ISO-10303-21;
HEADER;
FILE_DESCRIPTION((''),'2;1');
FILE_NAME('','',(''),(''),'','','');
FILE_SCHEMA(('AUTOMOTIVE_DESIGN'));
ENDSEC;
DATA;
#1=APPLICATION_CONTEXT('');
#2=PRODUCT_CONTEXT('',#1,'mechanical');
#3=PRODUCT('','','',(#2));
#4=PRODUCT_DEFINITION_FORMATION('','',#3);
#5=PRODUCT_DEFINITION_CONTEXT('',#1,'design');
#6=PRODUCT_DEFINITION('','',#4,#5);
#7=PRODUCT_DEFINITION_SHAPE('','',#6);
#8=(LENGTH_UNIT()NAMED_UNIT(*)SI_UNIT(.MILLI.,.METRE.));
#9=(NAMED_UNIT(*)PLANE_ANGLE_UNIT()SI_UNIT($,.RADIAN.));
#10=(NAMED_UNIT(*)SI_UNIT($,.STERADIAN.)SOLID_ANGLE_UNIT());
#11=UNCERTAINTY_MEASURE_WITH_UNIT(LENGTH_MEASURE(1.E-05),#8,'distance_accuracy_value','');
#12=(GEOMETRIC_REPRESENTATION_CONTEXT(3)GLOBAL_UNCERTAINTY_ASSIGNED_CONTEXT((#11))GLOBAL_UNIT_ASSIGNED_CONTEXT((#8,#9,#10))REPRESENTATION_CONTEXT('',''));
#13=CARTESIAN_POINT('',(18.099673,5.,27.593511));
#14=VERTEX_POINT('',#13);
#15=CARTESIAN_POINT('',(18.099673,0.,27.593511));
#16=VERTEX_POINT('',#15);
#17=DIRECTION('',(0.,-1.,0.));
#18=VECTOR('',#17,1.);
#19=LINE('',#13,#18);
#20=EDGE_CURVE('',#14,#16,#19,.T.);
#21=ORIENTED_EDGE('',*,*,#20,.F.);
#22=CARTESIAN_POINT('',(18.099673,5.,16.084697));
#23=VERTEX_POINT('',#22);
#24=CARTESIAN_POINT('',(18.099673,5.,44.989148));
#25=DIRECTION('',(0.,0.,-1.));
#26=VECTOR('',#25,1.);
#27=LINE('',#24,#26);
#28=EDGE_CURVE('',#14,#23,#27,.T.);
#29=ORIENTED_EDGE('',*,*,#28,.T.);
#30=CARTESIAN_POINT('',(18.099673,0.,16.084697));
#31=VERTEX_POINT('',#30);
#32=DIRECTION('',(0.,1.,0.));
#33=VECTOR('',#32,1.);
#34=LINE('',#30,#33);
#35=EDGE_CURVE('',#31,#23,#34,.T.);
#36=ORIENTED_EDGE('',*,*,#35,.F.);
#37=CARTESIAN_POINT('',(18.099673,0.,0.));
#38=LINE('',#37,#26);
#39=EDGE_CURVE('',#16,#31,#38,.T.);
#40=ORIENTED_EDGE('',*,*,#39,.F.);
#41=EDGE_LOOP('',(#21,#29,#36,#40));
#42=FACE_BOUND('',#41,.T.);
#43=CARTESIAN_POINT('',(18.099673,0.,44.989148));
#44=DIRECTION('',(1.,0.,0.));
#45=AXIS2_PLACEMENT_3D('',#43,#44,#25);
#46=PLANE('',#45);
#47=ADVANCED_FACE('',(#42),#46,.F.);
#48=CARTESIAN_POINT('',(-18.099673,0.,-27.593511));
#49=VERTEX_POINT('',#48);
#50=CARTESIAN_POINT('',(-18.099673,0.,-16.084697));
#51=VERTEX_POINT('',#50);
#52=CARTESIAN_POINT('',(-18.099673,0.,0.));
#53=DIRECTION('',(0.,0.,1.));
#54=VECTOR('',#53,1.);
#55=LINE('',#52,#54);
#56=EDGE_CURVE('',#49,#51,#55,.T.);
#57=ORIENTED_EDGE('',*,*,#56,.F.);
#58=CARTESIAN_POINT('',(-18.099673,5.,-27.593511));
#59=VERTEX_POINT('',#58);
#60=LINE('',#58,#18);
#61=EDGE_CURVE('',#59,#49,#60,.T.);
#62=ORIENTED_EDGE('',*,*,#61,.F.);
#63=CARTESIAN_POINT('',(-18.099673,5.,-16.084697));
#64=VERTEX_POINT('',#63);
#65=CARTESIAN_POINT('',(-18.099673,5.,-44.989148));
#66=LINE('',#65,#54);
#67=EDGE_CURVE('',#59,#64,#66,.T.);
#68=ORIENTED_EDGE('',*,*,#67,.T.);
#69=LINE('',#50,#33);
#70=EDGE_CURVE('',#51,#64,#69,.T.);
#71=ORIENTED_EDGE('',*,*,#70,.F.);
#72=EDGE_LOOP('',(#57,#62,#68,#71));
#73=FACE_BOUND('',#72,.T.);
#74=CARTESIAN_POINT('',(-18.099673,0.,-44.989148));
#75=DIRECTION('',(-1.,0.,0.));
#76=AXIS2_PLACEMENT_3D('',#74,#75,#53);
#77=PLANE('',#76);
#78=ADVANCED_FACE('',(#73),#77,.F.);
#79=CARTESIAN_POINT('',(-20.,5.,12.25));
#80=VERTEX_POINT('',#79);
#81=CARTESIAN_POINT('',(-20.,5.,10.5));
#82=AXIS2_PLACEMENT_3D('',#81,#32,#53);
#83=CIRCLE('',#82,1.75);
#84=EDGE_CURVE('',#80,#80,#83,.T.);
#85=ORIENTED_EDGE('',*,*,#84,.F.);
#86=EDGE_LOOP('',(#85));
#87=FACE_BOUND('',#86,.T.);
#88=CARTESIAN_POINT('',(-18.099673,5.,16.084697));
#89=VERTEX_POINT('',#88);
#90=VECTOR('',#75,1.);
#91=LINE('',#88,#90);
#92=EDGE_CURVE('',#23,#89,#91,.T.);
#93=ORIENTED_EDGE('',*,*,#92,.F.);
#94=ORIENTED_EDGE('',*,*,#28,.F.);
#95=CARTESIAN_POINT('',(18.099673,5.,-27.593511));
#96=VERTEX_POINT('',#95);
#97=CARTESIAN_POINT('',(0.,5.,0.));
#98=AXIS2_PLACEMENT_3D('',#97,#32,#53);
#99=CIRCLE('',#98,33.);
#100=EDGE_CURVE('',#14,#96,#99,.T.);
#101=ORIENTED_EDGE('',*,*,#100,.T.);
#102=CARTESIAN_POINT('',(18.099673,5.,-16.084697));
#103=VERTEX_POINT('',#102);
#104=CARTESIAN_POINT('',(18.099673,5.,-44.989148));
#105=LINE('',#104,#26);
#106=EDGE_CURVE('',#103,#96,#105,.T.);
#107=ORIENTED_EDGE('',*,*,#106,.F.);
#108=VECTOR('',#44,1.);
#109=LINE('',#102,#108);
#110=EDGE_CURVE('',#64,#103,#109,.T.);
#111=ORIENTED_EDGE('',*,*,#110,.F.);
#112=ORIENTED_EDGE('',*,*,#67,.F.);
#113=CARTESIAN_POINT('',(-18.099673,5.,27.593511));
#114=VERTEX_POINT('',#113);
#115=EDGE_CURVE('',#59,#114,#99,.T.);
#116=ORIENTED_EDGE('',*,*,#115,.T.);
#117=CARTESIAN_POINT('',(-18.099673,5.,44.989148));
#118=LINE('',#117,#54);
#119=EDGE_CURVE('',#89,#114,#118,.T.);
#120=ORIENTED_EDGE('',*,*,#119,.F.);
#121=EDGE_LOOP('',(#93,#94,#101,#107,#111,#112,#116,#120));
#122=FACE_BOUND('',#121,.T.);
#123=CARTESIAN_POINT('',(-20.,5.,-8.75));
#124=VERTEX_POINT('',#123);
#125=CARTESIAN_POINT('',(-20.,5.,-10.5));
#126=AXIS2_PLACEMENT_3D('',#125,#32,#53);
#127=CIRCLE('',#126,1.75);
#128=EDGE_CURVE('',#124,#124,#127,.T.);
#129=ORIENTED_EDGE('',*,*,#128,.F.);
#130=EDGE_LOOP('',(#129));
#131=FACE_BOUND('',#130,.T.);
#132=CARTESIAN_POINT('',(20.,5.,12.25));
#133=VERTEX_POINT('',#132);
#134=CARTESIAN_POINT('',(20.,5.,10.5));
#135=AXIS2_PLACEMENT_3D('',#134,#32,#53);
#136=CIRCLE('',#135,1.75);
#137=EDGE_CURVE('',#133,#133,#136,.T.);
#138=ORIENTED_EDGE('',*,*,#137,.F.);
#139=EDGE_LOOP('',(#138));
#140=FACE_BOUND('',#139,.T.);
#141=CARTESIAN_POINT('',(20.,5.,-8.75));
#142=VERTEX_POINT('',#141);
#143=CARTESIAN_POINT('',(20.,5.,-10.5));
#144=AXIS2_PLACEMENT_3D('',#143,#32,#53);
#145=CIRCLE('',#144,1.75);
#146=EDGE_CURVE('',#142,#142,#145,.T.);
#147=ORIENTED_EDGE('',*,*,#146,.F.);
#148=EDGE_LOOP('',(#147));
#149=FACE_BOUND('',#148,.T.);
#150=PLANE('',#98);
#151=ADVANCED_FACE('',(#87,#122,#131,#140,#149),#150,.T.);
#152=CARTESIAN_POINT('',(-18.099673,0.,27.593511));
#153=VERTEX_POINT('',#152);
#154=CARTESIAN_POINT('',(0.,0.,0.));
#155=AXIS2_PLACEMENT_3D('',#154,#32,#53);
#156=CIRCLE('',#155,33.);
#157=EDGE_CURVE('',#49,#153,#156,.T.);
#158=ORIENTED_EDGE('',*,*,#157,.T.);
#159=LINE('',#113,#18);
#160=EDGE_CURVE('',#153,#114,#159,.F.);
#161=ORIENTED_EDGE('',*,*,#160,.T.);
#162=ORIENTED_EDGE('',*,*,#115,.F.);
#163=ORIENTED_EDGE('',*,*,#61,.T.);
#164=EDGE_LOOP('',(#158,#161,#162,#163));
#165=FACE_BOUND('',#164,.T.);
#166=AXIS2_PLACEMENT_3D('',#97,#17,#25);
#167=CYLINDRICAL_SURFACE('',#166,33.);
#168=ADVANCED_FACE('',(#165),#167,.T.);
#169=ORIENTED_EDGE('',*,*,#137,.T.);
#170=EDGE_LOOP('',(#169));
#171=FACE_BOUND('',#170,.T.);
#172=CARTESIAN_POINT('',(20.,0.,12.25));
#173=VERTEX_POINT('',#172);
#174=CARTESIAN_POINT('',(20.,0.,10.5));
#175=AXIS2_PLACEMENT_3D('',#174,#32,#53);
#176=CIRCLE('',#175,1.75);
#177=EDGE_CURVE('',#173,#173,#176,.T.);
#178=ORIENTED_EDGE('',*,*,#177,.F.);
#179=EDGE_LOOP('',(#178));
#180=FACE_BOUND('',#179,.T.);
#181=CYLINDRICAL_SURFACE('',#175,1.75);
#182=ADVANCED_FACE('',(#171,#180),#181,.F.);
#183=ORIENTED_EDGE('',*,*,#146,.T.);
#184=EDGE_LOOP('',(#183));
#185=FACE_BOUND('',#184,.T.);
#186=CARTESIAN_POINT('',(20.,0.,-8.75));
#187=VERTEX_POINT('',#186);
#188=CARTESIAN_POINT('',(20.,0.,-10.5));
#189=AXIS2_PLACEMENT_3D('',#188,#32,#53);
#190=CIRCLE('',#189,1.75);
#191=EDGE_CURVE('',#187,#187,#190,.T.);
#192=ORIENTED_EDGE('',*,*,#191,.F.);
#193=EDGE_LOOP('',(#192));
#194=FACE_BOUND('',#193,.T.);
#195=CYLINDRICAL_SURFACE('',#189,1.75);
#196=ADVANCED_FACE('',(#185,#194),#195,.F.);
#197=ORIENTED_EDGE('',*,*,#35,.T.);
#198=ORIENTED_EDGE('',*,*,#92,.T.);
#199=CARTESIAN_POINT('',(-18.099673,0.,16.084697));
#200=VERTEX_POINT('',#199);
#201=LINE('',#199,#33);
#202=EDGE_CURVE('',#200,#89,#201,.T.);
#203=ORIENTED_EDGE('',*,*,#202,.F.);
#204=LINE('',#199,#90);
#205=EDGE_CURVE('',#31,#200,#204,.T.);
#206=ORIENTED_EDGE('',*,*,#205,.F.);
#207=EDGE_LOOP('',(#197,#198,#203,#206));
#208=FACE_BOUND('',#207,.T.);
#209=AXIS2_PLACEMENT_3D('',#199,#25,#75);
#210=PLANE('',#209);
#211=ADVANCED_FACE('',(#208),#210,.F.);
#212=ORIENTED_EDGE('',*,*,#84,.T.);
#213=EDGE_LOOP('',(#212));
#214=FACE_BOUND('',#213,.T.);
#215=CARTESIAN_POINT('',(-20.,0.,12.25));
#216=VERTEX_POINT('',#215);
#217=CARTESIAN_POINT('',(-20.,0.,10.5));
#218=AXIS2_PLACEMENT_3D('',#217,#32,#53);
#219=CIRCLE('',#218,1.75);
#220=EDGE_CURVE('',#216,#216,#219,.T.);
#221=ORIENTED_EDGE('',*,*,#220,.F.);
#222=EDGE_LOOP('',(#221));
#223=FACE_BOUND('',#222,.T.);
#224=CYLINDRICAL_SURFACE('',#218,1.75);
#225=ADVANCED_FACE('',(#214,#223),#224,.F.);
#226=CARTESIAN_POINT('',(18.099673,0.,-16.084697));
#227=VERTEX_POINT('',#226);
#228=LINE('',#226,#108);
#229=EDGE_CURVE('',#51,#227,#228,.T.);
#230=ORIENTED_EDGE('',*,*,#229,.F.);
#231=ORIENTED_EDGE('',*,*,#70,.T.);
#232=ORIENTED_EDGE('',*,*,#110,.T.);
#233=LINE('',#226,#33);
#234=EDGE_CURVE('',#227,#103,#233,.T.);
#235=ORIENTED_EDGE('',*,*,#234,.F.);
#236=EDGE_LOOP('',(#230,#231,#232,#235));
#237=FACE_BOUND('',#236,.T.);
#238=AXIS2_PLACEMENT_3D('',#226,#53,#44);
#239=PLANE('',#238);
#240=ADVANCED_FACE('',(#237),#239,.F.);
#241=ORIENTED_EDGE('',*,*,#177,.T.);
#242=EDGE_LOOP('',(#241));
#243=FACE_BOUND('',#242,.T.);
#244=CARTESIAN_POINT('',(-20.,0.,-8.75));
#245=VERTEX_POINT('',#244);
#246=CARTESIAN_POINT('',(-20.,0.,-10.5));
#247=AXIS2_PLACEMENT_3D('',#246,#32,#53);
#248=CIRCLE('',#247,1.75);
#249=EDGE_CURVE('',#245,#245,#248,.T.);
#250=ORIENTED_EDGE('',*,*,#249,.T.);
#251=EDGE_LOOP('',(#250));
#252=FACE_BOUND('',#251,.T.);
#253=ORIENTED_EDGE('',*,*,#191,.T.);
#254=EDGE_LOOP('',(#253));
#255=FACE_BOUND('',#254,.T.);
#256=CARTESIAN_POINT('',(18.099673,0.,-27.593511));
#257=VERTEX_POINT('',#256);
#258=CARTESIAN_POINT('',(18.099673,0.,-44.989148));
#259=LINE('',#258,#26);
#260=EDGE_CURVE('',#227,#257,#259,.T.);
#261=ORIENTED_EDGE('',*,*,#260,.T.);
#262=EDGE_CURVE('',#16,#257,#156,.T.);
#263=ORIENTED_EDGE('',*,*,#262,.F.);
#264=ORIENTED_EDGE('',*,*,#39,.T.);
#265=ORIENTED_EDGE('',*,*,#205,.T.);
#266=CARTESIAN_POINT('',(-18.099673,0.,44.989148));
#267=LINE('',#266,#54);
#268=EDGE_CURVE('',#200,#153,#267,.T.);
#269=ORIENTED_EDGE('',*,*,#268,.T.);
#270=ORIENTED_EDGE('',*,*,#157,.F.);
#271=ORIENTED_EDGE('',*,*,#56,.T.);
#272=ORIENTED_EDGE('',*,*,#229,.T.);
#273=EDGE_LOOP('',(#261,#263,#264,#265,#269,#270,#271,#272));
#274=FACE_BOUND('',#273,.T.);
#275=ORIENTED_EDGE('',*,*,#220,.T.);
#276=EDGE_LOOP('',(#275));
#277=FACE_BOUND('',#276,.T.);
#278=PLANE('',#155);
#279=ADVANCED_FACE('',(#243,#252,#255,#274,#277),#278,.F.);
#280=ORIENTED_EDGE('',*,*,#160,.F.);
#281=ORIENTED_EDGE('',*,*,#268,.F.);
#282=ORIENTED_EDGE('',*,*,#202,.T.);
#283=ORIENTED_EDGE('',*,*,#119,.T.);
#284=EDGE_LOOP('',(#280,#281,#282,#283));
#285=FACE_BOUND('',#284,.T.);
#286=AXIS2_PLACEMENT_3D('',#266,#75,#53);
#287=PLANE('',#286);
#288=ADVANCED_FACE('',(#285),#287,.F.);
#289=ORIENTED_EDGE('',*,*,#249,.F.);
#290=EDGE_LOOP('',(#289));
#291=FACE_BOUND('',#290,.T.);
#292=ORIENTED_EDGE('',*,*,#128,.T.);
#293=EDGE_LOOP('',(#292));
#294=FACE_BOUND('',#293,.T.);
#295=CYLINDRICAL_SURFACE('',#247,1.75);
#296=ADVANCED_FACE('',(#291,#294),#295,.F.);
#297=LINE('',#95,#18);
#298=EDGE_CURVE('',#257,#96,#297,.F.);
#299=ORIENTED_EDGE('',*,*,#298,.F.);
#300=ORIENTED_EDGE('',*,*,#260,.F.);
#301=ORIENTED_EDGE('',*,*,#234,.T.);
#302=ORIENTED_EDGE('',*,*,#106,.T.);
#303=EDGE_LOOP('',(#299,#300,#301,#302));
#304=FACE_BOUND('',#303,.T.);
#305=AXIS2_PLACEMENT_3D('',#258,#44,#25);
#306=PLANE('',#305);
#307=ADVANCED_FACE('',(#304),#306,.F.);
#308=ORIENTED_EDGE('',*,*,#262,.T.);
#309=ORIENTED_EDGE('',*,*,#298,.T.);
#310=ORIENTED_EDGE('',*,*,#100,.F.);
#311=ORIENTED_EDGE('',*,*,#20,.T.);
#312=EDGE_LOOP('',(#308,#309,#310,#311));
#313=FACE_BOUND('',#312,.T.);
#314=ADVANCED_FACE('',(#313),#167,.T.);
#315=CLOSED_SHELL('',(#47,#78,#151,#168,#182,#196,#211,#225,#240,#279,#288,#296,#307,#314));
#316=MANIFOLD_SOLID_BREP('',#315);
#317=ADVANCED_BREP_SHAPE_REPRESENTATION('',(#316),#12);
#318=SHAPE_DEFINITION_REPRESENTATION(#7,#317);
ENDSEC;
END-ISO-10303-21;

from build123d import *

# Parameters (mm, degrees)
SKETCH_1_R          = 33
EXTRUDE_1_DEPTH     = 5
SKETCH_2_W          = 36.199345992
SKETCH_2_H          = 28.904450881
CUT_EXTRUDE_2_DEPTH = 47.936126811
SKETCH_4_R          = 1.75
CUT_EXTRUDE_3_DEPTH = 44.30590996


with BuildPart() as part:
    # 草图1 → 凸台-拉伸1 (new body)
    with BuildSketch(Plane(origin=(0, 0, 0), x_dir=(1, 0, 0), z_dir=(0, 1, 0))):
        with Locations(Location((0, 0, 0), (0, 0, 270))):
            Circle(SKETCH_1_R)
    extrude(amount=EXTRUDE_1_DEPTH)

    # 草图2 → 切除-拉伸2 (cut, through all)
    with BuildSketch(Plane(origin=(0, 5, 0), x_dir=(1, 0, 0), z_dir=(0, 1, 0))):
        with Locations((0, -30.536922901)):
            Rectangle(SKETCH_2_W, SKETCH_2_H)
        with Locations((0, 30.536922901)):
            Rectangle(SKETCH_2_W, SKETCH_2_H)
    extrude(amount=-CUT_EXTRUDE_2_DEPTH, mode=Mode.SUBTRACT)

    # 草图4 → 切除-拉伸3 (cut, through all)
    with BuildSketch(Plane(origin=(0, 5, 0), x_dir=(1, 0, 0), z_dir=(0, 1, 0))):
        with Locations(Location((-20, 10.5, 0), (0, 0, 270))):
            Circle(SKETCH_4_R)
        with Locations(Location((20, 10.5, 0), (0, 0, 270))):
            Circle(SKETCH_4_R)
        with Locations(Location((-20, -10.5, 0), (0, 0, 270))):
            Circle(SKETCH_4_R)
        with Locations(Location((20, -10.5, 0), (0, 0, 270))):
            Circle(SKETCH_4_R)
    extrude(amount=-CUT_EXTRUDE_3_DEPTH, mode=Mode.SUBTRACT)


solid = part.part
